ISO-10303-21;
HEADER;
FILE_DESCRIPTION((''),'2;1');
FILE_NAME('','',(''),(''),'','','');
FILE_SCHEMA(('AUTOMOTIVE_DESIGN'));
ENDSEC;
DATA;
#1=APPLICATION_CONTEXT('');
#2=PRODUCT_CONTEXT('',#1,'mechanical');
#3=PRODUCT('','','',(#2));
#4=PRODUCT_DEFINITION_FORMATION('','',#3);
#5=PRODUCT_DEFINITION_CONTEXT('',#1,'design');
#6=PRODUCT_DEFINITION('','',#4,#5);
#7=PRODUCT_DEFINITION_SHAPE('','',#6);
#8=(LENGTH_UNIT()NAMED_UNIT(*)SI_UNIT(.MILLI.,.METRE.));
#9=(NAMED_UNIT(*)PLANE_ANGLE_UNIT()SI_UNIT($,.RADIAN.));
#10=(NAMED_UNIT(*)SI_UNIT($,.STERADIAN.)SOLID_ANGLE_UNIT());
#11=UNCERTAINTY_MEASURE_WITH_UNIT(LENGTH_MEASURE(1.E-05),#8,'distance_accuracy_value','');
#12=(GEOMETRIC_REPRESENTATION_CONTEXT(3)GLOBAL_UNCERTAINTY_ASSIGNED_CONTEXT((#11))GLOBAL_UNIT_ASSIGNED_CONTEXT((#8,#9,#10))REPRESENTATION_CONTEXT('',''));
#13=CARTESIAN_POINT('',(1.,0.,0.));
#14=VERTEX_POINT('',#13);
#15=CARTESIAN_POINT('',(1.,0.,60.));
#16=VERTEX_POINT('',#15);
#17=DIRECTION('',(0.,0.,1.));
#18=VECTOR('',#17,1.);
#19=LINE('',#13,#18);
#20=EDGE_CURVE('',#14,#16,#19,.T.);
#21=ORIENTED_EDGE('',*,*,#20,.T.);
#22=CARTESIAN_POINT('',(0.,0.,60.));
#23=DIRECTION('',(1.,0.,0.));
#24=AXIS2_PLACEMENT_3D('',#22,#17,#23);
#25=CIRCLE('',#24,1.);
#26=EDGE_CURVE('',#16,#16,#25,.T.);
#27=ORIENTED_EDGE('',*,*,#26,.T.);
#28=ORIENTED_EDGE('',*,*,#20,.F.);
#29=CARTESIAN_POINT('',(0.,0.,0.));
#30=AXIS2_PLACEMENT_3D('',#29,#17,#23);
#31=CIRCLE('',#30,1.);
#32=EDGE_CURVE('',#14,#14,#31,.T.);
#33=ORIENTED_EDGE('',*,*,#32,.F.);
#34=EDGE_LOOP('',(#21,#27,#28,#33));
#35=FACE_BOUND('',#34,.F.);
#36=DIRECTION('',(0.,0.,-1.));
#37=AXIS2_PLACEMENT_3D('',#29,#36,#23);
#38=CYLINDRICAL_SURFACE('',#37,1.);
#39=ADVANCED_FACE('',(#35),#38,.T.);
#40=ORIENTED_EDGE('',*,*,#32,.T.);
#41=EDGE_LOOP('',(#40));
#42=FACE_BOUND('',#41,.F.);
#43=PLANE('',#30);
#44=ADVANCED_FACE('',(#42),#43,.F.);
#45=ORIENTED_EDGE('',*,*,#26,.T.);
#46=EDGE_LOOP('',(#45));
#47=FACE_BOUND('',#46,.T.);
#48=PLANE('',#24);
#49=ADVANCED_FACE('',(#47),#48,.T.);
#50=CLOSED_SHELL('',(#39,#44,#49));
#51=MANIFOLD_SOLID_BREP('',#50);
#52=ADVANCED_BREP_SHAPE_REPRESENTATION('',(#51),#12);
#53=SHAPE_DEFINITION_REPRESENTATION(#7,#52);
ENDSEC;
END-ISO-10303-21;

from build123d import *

# Parameters (mm, degrees)
SKETCH1_R           = 1
BOSS_EXTRUDE1_DEPTH = 60


with BuildPart() as part:
    # Sketch1 → Boss-Extrude1 (new body)
    with BuildSketch(Plane.XY):
        Circle(SKETCH1_R)
    extrude(amount=BOSS_EXTRUDE1_DEPTH)


solid = part.part
